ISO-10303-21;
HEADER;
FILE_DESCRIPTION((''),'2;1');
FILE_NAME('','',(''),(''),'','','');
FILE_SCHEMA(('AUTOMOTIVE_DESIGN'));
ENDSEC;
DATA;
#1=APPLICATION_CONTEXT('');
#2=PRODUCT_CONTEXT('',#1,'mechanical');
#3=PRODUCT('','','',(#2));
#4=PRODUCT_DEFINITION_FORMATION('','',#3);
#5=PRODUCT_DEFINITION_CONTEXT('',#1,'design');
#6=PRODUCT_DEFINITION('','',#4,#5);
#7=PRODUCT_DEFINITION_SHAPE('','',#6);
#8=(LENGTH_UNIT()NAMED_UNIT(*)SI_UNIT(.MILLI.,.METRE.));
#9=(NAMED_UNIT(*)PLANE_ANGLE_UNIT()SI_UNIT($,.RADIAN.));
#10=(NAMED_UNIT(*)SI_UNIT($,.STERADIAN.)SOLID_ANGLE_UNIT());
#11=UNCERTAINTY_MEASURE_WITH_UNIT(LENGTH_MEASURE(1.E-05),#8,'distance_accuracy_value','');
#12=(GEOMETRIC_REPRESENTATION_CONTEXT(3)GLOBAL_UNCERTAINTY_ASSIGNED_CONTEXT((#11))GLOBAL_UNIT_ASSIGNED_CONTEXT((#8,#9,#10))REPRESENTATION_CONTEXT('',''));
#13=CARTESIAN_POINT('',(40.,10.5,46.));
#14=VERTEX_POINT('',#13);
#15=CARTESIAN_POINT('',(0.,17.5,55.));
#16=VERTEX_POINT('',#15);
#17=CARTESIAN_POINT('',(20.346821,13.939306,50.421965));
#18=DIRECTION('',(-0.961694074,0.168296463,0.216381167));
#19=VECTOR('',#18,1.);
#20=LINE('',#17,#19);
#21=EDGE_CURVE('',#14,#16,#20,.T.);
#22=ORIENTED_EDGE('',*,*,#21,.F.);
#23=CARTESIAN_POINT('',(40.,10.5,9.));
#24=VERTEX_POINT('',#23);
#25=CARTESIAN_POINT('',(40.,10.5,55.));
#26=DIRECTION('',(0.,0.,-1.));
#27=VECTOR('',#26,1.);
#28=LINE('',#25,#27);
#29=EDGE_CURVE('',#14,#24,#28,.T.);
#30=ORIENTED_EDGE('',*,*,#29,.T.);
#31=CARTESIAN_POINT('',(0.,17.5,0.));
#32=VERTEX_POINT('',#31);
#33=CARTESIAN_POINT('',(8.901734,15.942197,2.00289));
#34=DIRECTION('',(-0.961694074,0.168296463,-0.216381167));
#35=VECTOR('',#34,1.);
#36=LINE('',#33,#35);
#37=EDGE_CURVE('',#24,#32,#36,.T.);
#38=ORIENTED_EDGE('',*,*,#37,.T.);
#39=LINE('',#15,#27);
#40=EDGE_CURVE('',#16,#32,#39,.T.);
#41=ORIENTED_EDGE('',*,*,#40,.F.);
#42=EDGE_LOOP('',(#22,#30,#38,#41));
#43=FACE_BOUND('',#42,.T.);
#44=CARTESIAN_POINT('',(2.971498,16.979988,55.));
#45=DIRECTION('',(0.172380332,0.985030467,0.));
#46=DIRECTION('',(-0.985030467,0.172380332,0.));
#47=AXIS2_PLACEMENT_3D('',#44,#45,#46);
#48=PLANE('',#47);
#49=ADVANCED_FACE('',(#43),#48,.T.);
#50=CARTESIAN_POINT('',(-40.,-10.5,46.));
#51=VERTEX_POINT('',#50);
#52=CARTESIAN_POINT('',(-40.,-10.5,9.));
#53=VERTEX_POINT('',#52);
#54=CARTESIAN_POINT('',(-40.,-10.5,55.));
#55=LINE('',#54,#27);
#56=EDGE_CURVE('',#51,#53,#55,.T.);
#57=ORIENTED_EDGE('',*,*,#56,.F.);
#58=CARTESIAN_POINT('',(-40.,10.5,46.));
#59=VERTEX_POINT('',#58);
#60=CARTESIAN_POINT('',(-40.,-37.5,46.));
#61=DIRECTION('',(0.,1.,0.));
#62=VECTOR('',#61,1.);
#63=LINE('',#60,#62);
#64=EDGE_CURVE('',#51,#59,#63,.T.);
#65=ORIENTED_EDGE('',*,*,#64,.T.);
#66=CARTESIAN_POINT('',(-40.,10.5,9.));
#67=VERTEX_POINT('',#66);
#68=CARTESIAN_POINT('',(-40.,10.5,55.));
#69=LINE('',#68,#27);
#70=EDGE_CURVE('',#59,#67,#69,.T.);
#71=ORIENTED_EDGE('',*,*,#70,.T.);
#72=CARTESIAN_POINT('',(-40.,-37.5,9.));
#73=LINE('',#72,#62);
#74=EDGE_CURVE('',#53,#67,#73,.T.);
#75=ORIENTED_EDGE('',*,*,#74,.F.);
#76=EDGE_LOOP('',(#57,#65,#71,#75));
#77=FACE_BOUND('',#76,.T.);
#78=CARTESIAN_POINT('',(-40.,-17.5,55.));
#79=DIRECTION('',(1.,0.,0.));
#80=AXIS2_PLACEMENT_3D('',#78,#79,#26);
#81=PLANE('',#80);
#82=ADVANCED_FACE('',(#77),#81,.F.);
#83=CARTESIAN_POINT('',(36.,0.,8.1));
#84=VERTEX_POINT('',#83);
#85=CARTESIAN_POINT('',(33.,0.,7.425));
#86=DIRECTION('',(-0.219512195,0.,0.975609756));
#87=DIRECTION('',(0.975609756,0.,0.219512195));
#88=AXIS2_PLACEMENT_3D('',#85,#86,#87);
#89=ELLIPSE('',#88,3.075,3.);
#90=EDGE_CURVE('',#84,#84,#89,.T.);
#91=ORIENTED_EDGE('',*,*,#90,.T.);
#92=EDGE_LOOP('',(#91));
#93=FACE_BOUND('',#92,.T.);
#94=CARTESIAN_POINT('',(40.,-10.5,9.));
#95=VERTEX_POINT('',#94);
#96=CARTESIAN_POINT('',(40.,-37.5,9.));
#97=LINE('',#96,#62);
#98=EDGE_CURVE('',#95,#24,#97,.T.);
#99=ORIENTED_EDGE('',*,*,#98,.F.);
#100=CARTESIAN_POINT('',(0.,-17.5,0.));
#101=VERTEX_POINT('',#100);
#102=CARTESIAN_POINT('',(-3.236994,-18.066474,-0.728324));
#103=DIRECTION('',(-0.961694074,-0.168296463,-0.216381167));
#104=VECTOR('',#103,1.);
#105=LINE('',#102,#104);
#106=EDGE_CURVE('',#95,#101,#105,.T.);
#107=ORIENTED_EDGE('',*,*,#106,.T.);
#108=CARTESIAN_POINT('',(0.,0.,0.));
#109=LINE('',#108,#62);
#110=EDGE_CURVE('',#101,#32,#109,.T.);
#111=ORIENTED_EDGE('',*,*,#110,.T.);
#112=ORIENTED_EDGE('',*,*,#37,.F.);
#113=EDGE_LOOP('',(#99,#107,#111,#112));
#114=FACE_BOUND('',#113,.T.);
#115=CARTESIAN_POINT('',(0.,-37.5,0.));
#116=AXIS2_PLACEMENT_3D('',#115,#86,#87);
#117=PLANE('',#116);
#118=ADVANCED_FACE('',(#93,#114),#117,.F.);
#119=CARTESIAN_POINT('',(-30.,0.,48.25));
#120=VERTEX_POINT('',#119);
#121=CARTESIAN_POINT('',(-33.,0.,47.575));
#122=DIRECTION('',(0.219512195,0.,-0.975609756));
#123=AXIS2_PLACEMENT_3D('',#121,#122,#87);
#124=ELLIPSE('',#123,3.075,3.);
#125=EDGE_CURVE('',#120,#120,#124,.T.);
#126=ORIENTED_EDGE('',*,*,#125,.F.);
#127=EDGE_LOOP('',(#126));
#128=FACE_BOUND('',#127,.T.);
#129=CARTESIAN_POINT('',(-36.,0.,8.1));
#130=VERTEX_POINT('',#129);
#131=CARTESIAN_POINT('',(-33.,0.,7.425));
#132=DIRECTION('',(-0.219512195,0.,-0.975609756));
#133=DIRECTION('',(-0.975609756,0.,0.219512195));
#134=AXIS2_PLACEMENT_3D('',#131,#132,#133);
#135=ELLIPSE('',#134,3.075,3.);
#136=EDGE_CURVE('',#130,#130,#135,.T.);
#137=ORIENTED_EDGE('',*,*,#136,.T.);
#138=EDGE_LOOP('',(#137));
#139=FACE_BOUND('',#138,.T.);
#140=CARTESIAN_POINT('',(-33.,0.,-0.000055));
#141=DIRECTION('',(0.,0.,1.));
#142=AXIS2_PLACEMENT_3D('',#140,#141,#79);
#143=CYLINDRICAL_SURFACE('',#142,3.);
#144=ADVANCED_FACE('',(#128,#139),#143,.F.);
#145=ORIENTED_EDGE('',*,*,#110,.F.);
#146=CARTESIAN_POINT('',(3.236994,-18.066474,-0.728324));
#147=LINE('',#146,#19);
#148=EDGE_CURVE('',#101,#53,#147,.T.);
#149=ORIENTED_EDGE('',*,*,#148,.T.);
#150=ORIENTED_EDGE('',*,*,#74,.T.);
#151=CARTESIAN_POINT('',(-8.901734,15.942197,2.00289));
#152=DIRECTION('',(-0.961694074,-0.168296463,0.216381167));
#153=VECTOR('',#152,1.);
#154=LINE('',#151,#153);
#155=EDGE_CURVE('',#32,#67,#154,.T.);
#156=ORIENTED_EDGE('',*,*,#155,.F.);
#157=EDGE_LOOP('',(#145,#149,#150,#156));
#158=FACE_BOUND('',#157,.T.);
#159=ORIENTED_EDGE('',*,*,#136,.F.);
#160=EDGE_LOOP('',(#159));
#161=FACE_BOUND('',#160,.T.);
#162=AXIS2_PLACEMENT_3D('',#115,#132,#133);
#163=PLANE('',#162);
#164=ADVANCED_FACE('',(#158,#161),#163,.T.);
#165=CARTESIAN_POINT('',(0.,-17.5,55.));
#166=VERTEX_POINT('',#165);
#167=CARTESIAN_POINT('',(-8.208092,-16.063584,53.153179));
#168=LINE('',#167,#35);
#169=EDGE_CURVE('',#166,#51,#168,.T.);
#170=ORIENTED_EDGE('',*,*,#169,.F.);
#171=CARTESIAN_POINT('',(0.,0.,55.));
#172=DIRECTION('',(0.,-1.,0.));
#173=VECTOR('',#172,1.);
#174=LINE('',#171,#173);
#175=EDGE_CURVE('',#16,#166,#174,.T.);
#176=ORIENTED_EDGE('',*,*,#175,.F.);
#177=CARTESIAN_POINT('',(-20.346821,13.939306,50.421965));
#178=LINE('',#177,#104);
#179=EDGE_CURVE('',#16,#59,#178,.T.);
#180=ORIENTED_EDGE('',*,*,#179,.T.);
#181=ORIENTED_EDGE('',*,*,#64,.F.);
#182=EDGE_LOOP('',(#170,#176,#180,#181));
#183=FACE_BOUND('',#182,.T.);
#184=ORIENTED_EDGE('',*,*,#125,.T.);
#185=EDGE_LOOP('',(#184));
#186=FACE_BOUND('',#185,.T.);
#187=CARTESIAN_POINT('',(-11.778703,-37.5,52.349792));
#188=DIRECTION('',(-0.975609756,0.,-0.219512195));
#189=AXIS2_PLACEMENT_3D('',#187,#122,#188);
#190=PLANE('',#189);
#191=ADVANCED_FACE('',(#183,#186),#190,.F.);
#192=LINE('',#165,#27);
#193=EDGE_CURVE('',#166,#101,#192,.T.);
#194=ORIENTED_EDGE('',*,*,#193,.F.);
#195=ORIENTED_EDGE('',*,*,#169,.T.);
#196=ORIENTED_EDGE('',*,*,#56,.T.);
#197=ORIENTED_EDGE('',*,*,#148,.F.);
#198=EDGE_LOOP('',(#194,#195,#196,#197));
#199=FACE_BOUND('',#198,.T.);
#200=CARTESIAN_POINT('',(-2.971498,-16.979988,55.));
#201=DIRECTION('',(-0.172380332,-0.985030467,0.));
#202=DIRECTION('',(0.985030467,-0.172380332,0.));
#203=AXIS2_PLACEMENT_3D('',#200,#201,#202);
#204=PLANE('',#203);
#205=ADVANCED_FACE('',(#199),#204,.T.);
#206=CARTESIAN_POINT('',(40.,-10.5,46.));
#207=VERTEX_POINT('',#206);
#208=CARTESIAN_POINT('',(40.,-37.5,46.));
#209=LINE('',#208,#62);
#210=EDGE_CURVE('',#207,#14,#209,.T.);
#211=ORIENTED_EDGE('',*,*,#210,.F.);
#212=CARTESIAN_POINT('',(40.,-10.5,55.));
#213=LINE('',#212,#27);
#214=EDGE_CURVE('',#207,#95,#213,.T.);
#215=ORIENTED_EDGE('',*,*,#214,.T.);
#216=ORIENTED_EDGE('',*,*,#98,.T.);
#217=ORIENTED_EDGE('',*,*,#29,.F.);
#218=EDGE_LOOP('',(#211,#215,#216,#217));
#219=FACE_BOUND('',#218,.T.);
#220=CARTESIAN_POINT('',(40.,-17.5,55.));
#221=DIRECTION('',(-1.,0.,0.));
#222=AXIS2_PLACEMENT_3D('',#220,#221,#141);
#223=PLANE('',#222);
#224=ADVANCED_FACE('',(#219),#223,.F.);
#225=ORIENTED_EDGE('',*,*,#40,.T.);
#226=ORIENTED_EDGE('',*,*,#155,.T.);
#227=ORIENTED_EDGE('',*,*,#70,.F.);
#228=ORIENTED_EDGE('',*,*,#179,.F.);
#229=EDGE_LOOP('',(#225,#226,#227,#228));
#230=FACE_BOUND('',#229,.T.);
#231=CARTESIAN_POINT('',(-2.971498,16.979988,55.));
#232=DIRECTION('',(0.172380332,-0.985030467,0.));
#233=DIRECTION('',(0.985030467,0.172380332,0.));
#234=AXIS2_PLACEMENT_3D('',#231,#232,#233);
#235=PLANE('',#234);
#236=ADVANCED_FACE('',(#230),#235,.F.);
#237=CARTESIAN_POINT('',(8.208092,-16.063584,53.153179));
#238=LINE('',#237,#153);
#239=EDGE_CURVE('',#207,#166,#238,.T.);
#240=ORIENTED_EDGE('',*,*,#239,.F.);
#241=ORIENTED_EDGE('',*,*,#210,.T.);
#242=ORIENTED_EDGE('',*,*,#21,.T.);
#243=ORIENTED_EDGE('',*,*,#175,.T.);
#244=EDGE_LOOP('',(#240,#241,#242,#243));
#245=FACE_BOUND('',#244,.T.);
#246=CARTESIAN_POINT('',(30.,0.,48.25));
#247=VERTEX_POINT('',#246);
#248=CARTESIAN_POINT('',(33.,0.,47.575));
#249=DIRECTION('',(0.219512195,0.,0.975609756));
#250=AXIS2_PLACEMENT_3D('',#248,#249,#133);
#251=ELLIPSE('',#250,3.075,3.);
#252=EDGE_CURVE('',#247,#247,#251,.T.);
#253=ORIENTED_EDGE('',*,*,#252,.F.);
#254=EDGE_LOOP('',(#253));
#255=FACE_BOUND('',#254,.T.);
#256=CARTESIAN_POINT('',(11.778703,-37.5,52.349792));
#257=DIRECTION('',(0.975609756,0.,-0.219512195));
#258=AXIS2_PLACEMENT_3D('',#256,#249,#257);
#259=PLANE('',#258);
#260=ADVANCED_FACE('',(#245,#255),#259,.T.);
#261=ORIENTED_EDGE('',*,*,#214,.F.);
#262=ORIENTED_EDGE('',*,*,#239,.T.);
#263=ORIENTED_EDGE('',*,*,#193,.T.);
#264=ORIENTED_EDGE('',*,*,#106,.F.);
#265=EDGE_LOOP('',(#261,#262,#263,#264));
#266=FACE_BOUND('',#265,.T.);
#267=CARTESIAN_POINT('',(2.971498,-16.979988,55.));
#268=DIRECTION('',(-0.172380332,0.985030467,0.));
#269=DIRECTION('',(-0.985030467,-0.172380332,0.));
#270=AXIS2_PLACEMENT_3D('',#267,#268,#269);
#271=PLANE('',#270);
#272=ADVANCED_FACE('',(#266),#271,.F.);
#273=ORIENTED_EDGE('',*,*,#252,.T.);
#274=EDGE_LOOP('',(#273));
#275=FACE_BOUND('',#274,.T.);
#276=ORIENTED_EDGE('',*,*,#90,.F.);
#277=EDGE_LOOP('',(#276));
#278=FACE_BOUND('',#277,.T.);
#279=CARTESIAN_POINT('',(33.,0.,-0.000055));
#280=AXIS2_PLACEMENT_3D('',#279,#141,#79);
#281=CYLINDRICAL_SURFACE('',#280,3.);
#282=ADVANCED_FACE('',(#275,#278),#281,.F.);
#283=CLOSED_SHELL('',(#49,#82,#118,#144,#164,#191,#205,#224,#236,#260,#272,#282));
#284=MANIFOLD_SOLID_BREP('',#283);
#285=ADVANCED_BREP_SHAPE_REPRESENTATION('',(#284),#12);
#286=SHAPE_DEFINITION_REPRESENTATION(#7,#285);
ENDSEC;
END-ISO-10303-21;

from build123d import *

# Parameters (mm, degrees)
SKETCH1_W               = 80
SKETCH1_H               = 35
BOSS_EXTRUDE1_DEPTH     = 55
CUT_EXTRUDE1_DEPTH      = 55
CUT_EXTRUDE2_DEPTH      = 71.222859526
CUT_EXTRUDE2_DEPTH_BACK = 71.222859526
CUT_EXTRUDE3_DEPTH      = 71.222859526
CUT_EXTRUDE3_DEPTH_BACK = 71.222859526
SKETCH6_R               = 3


with BuildPart() as part:
    # Sketch1 → Boss-Extrude1 (new body)
    with BuildSketch(Plane.XY):
        Rectangle(SKETCH1_W, SKETCH1_H)
    extrude(amount=BOSS_EXTRUDE1_DEPTH)

    # Sketch2 → Cut-Extrude1 (cut)
    with BuildSketch(Plane(origin=(0, 17.5, 0), x_dir=(1, 0, 0), z_dir=(0, 1, 0))):
        Polygon((-40, -55), (0, -55), (-40, -46), align=None)
        Polygon((40, -46), (0, -55), (40, -55), align=None)
        Polygon((0, 0), (40, -9), (40, 0), align=None)
        Polygon((-40, 0), (-40, -9), (0, 0), align=None)
    extrude(amount=-CUT_EXTRUDE1_DEPTH, mode=Mode.SUBTRACT)

    # Sketch5 → Cut-Extrude2 (cut, two sides: drawn at the far end of the back side and taken through both)
    with BuildSketch(Plane.XY.offset(-CUT_EXTRUDE2_DEPTH_BACK)):
        Polygon((40, 17.5), (40, 10.5), (0, 17.5), align=None)
        Polygon((-40, 17.5), (0, 17.5), (-40, 10.5), align=None)
        Polygon((40, -17.5), (0, -17.5), (40, -10.5), align=None)
        Polygon((-40, -10.5), (-40, -17.5), (0, -17.5), align=None)
    extrude(amount=CUT_EXTRUDE2_DEPTH + CUT_EXTRUDE2_DEPTH_BACK, mode=Mode.SUBTRACT)

    # Sketch6 → Cut-Extrude3 (cut, two sides: drawn at the far end of the back side and taken through both)
    with BuildSketch(Plane.XY.offset(-CUT_EXTRUDE3_DEPTH_BACK)):
        with Locations((-33, 0)):
            Circle(SKETCH6_R)
        with Locations((33, 0)):
            Circle(SKETCH6_R)
    extrude(amount=CUT_EXTRUDE3_DEPTH + CUT_EXTRUDE3_DEPTH_BACK, mode=Mode.SUBTRACT)


solid = part.part
